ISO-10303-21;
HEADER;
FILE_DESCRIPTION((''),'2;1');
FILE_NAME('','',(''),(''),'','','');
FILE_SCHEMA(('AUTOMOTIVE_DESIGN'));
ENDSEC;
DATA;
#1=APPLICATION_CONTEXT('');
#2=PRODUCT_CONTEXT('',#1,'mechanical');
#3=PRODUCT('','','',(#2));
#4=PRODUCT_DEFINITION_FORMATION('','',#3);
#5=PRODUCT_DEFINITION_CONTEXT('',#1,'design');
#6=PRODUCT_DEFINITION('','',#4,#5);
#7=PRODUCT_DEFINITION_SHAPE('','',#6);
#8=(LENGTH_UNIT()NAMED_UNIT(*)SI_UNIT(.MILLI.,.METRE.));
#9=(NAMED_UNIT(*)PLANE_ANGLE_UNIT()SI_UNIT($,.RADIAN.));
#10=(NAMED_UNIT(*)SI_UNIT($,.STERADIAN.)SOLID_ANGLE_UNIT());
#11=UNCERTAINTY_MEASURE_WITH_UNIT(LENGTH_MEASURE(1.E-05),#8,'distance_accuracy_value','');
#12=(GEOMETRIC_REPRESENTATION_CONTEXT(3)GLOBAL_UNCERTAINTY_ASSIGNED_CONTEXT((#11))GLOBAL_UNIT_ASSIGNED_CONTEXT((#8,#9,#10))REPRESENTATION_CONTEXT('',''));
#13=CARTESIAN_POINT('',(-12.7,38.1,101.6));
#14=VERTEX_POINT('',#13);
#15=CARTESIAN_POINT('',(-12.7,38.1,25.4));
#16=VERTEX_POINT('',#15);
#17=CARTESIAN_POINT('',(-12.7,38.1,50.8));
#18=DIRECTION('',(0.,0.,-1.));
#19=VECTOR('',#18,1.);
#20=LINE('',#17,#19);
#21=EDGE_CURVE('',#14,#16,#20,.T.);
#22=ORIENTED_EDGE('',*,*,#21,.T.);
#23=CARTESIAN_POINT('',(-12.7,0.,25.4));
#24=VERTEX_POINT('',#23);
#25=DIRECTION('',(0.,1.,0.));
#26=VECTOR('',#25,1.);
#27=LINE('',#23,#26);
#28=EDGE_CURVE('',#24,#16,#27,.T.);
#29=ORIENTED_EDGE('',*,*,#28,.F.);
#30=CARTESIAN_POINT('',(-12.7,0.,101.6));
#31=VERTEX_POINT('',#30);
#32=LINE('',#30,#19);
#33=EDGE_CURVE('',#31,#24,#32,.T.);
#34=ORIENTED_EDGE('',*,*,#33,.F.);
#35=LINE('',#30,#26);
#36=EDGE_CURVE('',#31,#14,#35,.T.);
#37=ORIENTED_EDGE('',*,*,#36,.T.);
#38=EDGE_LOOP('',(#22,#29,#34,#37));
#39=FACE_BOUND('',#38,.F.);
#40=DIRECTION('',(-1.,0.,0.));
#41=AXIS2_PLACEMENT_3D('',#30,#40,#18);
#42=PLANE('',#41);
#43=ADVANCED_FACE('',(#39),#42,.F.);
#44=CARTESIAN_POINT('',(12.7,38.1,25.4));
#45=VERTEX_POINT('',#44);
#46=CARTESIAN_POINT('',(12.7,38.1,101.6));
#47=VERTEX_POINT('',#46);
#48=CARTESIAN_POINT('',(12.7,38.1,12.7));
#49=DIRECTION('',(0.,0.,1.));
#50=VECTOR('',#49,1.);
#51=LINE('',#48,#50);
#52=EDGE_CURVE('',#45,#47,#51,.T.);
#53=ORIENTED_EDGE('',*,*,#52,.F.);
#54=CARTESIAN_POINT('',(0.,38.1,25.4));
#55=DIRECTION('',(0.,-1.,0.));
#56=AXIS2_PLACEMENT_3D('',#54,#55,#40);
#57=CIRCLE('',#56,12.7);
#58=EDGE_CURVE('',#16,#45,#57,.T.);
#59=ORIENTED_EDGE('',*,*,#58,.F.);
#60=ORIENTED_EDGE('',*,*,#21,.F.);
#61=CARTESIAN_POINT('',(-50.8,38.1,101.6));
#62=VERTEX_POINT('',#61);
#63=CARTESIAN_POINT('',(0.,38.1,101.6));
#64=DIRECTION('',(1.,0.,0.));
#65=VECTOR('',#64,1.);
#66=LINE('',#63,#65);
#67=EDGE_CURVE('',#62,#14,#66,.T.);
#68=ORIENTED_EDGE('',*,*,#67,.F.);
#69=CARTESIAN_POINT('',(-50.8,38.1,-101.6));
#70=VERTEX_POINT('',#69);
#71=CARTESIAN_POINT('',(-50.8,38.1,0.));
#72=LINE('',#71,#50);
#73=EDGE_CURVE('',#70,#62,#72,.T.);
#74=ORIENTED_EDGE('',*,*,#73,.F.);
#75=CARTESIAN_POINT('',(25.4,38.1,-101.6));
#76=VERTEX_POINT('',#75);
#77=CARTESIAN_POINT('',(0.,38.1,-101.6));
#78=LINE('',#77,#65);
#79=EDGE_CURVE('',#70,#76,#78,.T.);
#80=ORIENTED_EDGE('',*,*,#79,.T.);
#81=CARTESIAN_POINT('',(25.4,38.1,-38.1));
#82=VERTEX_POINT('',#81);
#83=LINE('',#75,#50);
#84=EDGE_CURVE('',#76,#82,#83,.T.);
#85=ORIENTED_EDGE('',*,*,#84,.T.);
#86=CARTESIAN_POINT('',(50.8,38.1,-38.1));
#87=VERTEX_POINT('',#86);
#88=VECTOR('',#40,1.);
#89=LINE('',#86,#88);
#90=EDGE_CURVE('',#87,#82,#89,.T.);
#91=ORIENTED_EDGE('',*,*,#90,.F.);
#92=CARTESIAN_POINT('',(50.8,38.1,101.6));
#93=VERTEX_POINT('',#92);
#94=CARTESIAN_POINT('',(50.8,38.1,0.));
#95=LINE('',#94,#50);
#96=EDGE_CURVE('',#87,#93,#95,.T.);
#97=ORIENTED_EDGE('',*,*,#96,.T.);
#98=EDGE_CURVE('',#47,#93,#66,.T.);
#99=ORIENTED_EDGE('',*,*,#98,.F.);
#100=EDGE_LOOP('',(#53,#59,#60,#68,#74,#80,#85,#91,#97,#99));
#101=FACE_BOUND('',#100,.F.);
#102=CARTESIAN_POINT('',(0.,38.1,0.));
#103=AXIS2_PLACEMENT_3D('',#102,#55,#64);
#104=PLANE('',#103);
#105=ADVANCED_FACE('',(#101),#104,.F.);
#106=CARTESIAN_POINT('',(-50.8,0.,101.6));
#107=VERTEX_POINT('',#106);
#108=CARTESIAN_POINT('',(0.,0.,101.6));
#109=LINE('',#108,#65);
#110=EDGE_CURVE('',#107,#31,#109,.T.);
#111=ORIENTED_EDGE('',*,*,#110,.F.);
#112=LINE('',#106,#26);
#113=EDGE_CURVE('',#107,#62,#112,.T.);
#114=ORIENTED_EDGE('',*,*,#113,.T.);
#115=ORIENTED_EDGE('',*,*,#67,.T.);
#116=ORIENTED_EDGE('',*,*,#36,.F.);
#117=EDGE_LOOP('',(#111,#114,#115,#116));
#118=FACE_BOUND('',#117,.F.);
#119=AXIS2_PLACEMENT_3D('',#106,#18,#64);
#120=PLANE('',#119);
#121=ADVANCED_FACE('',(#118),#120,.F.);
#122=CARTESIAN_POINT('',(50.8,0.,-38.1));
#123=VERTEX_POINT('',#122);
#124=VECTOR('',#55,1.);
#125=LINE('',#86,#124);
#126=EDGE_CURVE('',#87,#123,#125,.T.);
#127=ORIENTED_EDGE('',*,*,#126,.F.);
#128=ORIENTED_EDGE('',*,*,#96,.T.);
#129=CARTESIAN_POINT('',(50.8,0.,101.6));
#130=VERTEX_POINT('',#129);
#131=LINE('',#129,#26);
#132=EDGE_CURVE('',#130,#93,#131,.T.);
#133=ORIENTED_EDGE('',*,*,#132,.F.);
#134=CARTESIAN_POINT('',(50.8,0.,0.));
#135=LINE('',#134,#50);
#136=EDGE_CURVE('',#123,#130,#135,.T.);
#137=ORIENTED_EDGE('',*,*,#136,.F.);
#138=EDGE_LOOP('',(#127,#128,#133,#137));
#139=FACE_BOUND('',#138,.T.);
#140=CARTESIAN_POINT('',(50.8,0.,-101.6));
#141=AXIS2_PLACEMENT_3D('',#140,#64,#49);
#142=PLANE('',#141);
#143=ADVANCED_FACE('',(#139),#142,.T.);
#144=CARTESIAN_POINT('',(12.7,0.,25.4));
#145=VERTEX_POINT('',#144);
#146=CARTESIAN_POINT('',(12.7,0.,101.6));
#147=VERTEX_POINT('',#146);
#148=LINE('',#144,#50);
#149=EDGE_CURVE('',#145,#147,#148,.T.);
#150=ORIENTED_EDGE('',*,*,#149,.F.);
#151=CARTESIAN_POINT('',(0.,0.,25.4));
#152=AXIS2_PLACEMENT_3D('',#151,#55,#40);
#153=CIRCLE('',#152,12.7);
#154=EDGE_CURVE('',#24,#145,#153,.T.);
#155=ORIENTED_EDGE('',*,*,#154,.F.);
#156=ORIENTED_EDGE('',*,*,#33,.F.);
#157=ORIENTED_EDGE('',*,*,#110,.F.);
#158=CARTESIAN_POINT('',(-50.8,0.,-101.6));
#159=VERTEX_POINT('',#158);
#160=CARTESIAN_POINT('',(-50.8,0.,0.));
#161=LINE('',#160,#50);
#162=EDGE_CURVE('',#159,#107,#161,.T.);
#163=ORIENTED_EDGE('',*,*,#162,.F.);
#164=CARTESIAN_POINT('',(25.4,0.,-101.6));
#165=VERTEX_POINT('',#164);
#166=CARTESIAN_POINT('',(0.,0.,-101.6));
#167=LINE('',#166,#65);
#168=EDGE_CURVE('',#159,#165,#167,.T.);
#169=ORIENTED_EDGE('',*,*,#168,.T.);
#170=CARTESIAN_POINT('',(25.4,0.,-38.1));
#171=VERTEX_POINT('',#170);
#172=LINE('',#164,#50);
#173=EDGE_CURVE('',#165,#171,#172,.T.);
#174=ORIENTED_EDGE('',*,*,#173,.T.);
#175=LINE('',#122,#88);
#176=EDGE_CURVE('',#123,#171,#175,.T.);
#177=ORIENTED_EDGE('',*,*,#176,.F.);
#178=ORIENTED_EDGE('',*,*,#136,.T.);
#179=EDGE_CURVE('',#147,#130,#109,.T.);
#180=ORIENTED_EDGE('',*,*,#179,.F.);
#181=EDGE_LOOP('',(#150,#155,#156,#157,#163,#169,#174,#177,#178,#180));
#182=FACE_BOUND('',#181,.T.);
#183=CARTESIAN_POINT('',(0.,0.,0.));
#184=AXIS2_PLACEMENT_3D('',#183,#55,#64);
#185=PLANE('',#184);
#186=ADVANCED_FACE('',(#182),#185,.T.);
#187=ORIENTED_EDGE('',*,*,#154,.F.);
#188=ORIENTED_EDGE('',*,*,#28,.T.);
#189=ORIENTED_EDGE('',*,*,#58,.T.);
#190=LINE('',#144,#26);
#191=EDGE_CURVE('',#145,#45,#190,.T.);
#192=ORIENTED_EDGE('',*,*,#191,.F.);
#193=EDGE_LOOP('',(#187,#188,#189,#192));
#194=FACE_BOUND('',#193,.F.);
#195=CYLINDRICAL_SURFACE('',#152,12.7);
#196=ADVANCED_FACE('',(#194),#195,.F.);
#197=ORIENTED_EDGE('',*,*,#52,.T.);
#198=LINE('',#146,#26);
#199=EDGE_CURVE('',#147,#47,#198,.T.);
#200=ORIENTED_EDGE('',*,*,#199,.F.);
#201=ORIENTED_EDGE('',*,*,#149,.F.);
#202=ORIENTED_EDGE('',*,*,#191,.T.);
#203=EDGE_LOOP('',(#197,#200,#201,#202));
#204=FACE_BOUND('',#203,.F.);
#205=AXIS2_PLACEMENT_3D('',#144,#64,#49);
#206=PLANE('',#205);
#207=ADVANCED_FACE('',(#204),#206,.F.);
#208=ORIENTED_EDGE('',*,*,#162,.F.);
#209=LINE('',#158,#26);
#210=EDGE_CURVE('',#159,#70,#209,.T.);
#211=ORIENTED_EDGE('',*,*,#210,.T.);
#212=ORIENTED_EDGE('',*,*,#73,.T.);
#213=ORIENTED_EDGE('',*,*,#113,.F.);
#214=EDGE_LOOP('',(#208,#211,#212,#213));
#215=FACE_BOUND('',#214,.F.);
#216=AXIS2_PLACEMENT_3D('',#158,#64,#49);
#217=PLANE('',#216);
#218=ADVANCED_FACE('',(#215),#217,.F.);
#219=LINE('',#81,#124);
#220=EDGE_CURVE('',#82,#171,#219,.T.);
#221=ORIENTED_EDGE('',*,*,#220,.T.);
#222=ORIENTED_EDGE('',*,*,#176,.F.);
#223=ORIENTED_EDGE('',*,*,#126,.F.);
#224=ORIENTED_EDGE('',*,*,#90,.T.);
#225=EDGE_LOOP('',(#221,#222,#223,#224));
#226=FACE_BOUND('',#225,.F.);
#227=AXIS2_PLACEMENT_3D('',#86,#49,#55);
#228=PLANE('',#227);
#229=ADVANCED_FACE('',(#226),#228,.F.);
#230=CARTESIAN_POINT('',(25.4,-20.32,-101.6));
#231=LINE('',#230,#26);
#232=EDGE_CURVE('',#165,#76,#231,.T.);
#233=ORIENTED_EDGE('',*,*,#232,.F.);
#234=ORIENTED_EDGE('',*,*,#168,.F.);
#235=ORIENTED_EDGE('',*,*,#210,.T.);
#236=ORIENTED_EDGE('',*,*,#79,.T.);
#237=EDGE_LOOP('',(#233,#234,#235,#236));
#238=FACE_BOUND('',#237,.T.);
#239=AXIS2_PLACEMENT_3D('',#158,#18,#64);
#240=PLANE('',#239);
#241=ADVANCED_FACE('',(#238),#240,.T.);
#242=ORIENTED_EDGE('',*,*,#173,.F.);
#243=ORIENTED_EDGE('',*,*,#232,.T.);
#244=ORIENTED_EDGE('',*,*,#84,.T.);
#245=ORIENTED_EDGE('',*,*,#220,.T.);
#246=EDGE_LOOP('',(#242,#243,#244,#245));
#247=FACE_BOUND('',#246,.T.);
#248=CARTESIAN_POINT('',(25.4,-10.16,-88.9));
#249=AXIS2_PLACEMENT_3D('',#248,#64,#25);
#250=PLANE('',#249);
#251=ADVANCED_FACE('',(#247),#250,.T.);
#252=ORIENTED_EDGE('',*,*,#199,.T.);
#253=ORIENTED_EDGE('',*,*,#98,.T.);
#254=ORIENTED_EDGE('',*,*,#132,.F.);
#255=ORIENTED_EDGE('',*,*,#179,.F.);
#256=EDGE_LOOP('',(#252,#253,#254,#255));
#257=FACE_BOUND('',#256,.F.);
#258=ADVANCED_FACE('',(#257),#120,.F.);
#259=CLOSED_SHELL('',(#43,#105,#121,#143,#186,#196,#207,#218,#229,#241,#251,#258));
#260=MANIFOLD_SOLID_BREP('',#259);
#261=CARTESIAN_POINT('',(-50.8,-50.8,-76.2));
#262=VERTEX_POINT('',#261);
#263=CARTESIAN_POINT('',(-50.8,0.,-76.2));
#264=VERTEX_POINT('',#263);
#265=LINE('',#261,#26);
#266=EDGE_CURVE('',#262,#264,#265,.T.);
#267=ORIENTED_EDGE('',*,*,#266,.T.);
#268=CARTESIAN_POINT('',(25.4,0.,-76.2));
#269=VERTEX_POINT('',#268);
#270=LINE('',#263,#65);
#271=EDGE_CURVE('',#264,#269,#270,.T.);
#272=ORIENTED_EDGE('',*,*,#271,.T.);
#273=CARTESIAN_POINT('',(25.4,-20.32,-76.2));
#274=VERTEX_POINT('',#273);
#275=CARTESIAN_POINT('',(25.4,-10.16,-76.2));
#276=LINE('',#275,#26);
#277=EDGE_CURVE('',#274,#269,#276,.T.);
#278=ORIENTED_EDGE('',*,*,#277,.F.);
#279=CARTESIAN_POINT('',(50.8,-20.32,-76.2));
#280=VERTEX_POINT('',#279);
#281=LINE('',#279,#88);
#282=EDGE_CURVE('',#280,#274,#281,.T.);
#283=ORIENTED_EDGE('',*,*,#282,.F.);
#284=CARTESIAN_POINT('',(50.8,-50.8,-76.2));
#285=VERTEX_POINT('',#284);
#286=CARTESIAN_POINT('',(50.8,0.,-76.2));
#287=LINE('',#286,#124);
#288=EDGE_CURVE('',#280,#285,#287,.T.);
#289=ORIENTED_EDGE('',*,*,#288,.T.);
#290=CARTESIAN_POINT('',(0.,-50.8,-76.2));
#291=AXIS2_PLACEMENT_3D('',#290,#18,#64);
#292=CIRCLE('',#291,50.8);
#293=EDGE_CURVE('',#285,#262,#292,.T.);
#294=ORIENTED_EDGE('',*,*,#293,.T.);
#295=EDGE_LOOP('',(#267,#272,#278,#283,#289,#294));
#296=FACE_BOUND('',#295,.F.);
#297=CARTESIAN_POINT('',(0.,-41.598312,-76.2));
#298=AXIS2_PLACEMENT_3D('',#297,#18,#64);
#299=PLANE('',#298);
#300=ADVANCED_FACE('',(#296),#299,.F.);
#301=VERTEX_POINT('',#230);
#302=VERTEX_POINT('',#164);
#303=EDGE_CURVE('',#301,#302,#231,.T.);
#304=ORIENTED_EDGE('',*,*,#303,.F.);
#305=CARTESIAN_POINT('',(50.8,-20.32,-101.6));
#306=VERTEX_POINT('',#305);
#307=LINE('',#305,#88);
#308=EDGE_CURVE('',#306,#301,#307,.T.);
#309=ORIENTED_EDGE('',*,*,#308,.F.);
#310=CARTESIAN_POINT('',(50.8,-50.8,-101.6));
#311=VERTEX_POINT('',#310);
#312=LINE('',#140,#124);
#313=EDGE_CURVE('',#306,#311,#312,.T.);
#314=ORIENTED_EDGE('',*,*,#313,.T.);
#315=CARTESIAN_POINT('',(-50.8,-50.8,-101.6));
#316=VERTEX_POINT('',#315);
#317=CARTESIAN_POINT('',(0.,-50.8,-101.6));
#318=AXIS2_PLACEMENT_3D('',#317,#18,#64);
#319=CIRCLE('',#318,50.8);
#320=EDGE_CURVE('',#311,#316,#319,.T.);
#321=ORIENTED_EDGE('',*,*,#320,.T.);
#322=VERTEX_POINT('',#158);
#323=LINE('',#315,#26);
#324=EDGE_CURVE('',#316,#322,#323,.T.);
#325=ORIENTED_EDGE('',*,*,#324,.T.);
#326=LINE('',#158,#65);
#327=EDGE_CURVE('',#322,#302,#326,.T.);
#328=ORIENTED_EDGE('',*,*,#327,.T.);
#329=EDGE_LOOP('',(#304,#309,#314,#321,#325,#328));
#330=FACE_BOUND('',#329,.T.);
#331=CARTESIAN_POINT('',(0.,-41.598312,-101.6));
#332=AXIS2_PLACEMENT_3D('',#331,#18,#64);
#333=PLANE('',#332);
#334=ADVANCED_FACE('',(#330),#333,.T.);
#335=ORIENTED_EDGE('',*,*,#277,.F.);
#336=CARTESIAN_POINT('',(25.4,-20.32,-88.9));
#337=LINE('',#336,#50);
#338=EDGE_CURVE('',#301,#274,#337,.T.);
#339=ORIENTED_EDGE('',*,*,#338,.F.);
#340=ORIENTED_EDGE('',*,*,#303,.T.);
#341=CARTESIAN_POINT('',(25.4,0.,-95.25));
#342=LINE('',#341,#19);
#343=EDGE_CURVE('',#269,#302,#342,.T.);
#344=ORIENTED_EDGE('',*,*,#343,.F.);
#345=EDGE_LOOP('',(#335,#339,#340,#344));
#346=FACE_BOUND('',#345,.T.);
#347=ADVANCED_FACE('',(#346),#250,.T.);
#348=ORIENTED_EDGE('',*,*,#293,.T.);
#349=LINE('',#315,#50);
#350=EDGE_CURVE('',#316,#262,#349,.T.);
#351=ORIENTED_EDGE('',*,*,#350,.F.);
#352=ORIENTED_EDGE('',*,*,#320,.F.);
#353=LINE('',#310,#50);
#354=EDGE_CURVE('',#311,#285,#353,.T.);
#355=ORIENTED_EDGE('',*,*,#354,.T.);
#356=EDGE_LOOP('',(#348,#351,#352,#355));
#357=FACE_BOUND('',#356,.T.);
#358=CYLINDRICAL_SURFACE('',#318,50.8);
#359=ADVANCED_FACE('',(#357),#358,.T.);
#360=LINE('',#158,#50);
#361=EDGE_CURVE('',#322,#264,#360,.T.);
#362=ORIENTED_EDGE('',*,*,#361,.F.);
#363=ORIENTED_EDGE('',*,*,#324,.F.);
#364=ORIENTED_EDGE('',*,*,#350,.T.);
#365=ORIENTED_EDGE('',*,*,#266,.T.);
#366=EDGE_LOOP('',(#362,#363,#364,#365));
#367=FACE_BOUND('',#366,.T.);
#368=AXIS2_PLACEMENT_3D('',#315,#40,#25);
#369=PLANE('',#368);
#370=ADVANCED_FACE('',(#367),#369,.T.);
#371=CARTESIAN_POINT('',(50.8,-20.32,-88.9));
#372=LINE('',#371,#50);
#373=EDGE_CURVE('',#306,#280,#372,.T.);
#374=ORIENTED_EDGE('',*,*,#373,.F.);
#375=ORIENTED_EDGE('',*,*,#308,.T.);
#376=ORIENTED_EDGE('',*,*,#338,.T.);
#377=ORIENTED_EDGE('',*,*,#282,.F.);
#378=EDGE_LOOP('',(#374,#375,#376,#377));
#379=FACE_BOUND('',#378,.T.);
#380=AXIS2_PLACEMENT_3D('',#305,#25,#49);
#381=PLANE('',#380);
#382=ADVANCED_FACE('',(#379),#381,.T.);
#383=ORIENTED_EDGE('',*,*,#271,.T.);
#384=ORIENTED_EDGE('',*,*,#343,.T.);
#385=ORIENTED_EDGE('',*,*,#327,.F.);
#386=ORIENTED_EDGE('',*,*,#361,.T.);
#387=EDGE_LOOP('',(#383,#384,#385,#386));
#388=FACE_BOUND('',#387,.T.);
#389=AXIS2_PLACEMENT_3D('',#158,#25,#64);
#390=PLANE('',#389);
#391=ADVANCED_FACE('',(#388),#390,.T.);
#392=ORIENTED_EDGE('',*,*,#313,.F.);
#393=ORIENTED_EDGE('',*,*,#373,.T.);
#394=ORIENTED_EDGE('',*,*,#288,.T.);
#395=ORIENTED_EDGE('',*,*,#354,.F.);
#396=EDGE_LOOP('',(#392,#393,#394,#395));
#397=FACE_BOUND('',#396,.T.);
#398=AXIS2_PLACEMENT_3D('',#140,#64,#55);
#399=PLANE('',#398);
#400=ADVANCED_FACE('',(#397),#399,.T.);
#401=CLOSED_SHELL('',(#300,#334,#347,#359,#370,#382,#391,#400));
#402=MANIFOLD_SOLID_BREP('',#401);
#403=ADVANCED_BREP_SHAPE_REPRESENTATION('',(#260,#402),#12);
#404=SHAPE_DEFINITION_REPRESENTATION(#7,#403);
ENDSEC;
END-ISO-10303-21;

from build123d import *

# Parameters (mm, degrees)
F0_W     = 101.6
F0_H     = 203.2
F1_DEPTH = 38.1
F3_DEPTH = 25.4
F5_DEPTH = 1270
F6_W     = 20.32
F6_H     = 25.4
F7_DEPTH = 25.4


with BuildPart() as f1:
    # F0 (on Front) → F1 (new body)
    with BuildSketch(Plane.XZ):
        Rectangle(F0_W, F0_H)
    extrude(amount=-F1_DEPTH)

    # F4 (on face) → F5 (cut)
    with BuildSketch(Plane.XZ):
        with BuildLine():
            Line((12.7, 101.6), (-12.7, 101.6))
            Line((-12.7, 101.6), (-12.7, 25.4))
            ThreePointArc((-12.7, 25.4), (0, 12.7), (12.7, 25.4))
            Line((12.7, 25.4), (12.7, 101.6))
        make_face()
    extrude(amount=-F5_DEPTH, mode=Mode.SUBTRACT)


with BuildPart() as f3:
    # F2 (on face) → F3 (new body)
    with BuildSketch(Plane(origin=(0, 0, -101.6), x_dir=(1, 0, 0), z_dir=(0, 0, -1))):
        with BuildLine():
            Line((-50.8, 50.8), (-50.8, 0))
            Line((-50.8, 0), (50.8, 0))
            Line((50.8, 0), (50.8, 50.8))
            ThreePointArc((50.8, 50.8), (0, 101.6), (-50.8, 50.8))
        make_face()
    extrude(amount=-F3_DEPTH)


with BuildPart() as f7_tool:
    # F6 (on face) → F7 (new body)
    with BuildSketch(Plane.YZ.offset(50.8)):
        with Locations((-10.16, -88.9)):
            Rectangle(F6_W, F6_H)
        Polygon((0, -38.1), (0, -76.2), (0, -101.6), (38.1, -101.6), (38.1, -76.2), (38.1, -38.1), align=None)
    extrude(amount=-F7_DEPTH)


with BuildPart() as f1_1:
    add(f1.part)

    # F7: cut by f7_tool
    add(f7_tool.part, mode=Mode.SUBTRACT)


with BuildPart() as f3_1:
    add(f3.part)

    # F7: cut by f7_tool
    add(f7_tool.part, mode=Mode.SUBTRACT)


solid = Compound([f1_1.part, f3_1.part])
